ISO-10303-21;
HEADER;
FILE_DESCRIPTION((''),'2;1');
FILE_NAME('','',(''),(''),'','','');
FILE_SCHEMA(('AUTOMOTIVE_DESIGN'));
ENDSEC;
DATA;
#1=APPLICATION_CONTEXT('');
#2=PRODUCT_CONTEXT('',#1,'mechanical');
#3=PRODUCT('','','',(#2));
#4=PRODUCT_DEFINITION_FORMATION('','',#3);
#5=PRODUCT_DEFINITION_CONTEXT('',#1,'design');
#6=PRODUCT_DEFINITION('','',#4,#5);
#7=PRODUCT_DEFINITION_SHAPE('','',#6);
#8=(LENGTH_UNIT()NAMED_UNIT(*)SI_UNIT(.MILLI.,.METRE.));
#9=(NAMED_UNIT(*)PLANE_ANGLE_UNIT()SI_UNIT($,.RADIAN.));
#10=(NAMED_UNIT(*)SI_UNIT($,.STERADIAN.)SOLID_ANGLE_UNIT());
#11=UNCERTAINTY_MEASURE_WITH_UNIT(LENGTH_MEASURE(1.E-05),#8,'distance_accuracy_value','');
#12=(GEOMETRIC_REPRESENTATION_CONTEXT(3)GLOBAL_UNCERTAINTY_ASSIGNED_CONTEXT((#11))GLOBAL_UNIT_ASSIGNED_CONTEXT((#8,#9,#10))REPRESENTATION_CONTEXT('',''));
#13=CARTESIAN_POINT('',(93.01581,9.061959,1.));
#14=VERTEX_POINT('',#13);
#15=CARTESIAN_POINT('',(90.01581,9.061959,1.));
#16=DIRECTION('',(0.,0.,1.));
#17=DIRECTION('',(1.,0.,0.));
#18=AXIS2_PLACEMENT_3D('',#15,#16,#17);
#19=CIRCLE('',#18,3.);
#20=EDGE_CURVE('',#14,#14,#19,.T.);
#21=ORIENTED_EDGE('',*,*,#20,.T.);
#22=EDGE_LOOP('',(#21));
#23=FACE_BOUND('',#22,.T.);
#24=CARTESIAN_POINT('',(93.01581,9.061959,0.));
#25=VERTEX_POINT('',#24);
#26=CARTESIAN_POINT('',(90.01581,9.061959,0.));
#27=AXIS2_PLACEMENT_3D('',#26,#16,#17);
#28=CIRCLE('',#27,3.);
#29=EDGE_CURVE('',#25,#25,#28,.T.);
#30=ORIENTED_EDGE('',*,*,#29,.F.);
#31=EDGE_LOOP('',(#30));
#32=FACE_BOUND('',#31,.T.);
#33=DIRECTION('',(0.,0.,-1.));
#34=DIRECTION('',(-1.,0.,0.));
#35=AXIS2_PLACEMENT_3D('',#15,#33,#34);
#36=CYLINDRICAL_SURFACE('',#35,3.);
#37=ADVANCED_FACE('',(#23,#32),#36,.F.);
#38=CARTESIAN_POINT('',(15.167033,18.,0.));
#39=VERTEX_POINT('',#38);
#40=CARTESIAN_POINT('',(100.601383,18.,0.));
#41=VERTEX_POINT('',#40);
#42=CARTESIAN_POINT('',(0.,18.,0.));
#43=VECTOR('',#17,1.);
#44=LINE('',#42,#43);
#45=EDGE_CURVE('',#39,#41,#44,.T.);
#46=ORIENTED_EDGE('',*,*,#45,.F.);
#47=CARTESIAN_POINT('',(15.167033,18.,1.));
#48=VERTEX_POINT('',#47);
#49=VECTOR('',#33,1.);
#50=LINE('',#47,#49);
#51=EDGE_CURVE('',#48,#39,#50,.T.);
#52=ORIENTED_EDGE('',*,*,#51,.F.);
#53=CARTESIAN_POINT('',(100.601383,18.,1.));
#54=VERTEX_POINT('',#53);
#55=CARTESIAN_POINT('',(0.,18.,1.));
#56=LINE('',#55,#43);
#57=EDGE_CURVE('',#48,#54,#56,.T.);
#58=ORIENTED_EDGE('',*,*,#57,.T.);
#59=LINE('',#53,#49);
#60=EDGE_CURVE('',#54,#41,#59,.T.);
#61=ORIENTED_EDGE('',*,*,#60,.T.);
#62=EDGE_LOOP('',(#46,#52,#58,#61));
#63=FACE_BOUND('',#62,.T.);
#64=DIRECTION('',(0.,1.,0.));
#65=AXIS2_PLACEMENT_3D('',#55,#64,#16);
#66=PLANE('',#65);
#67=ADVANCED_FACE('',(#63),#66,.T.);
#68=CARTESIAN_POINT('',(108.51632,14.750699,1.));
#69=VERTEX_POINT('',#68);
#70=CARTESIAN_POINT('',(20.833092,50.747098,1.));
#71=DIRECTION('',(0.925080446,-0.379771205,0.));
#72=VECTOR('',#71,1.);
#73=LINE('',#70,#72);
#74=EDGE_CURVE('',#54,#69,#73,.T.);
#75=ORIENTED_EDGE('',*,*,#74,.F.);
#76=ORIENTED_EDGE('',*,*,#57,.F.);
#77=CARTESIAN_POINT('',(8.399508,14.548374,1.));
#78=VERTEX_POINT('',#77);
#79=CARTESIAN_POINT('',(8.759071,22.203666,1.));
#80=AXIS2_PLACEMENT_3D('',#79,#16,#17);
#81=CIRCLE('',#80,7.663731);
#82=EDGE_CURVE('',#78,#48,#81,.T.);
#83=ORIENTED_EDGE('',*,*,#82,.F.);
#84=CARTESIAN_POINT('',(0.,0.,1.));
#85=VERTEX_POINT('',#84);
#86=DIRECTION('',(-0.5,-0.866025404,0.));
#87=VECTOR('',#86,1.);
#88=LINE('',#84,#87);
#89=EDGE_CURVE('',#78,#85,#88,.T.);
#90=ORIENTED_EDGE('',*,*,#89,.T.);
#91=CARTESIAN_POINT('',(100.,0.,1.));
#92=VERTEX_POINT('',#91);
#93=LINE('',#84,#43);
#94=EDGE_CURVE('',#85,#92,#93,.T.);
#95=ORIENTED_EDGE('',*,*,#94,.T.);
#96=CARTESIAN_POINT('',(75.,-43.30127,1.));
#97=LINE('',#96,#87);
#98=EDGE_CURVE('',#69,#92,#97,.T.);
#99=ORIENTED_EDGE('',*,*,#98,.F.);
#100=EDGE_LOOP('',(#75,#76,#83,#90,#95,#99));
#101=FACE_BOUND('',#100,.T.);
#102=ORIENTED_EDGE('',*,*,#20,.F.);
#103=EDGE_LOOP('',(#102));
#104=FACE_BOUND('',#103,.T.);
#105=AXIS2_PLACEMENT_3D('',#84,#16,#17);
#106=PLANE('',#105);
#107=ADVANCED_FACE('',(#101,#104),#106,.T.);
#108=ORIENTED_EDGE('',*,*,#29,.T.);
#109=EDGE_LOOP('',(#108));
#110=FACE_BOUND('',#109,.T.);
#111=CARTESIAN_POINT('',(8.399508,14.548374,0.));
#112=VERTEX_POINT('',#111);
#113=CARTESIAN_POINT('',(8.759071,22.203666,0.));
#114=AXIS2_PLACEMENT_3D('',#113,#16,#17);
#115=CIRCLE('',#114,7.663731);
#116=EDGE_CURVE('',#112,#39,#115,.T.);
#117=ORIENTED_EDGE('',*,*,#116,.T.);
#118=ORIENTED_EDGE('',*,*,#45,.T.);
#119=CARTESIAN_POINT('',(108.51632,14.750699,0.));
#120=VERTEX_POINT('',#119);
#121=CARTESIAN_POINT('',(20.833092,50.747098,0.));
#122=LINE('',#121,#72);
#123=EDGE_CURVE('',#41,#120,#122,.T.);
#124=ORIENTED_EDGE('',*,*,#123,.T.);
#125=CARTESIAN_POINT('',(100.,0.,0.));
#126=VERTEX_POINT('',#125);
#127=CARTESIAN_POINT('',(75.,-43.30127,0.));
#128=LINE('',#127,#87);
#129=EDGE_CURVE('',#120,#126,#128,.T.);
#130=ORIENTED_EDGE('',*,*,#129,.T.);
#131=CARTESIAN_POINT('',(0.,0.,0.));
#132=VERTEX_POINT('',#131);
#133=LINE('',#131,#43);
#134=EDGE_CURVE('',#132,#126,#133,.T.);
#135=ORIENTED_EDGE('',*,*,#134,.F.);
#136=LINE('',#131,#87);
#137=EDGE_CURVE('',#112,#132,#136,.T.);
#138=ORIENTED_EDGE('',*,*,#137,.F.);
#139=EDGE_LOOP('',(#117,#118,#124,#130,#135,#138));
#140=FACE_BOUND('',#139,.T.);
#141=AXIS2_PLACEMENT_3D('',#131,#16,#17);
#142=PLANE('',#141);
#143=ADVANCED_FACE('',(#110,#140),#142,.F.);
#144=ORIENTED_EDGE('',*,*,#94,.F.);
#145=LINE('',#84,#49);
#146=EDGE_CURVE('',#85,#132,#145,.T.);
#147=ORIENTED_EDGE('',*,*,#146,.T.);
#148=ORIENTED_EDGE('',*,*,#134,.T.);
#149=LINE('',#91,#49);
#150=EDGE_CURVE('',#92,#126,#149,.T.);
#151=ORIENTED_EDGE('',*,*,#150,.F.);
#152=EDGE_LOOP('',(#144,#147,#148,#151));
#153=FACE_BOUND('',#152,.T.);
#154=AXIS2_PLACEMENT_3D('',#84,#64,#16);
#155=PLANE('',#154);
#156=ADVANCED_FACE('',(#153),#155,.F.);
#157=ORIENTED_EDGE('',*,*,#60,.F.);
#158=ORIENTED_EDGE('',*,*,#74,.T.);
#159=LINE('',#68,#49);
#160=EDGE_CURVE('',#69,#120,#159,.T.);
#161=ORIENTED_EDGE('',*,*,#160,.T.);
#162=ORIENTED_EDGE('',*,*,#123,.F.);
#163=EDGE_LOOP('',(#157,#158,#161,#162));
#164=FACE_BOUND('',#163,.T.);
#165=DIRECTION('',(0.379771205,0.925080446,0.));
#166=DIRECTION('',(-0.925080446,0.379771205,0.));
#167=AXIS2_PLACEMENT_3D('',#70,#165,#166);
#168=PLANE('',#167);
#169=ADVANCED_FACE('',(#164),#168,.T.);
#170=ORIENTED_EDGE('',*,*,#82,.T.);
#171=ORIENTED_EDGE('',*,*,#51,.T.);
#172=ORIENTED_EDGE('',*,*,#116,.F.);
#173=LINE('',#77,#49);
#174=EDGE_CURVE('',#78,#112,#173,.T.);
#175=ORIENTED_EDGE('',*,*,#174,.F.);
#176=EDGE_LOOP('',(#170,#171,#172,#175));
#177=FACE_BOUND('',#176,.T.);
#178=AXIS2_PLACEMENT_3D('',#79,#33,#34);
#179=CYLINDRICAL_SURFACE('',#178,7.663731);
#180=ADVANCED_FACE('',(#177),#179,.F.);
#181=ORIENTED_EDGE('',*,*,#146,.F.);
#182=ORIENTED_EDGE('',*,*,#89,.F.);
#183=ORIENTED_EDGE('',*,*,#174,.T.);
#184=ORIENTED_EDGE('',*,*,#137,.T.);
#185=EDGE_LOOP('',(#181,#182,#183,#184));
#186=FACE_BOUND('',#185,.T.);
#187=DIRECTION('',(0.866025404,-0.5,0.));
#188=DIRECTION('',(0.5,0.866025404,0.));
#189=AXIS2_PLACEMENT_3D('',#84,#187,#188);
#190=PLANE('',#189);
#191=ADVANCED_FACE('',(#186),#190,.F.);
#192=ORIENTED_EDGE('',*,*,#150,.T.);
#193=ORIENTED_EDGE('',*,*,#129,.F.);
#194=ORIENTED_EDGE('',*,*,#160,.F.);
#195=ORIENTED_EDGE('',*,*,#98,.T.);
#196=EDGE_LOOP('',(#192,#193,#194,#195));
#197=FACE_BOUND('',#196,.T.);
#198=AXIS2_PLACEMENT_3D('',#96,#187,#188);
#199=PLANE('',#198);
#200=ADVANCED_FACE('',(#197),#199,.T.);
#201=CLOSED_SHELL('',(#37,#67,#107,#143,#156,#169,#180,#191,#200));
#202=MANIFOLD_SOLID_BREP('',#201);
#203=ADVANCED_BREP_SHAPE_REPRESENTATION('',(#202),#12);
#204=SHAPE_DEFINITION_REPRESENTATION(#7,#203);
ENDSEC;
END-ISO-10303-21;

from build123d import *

# Parameters (mm, degrees)
SKETCH1_R           = 3
BOSS_EXTRUDE1_DEPTH = 1


with BuildPart() as part:
    # Sketch1 → Boss-Extrude1 (new body)
    with BuildSketch(Plane.XY):
        with BuildLine():
            Line((8.399507831, 14.548374322), (0, 0))
            Line((0, 0), (100, 0))
            Line((100, 0), (108.516319797, 14.750698581))
            Line((108.516319797, 14.750698581), (100.60138269, 18))
            Line((100.60138269, 18), (15.167032503, 18))
            ThreePointArc((15.167032503, 18), (12.241054752, 15.376619242), (8.399507831, 14.548374322))
        make_face()
        with Locations((90.015809824, 9.06195858)):
            Circle(SKETCH1_R, mode=Mode.SUBTRACT)
    extrude(amount=BOSS_EXTRUDE1_DEPTH)


solid = part.part
